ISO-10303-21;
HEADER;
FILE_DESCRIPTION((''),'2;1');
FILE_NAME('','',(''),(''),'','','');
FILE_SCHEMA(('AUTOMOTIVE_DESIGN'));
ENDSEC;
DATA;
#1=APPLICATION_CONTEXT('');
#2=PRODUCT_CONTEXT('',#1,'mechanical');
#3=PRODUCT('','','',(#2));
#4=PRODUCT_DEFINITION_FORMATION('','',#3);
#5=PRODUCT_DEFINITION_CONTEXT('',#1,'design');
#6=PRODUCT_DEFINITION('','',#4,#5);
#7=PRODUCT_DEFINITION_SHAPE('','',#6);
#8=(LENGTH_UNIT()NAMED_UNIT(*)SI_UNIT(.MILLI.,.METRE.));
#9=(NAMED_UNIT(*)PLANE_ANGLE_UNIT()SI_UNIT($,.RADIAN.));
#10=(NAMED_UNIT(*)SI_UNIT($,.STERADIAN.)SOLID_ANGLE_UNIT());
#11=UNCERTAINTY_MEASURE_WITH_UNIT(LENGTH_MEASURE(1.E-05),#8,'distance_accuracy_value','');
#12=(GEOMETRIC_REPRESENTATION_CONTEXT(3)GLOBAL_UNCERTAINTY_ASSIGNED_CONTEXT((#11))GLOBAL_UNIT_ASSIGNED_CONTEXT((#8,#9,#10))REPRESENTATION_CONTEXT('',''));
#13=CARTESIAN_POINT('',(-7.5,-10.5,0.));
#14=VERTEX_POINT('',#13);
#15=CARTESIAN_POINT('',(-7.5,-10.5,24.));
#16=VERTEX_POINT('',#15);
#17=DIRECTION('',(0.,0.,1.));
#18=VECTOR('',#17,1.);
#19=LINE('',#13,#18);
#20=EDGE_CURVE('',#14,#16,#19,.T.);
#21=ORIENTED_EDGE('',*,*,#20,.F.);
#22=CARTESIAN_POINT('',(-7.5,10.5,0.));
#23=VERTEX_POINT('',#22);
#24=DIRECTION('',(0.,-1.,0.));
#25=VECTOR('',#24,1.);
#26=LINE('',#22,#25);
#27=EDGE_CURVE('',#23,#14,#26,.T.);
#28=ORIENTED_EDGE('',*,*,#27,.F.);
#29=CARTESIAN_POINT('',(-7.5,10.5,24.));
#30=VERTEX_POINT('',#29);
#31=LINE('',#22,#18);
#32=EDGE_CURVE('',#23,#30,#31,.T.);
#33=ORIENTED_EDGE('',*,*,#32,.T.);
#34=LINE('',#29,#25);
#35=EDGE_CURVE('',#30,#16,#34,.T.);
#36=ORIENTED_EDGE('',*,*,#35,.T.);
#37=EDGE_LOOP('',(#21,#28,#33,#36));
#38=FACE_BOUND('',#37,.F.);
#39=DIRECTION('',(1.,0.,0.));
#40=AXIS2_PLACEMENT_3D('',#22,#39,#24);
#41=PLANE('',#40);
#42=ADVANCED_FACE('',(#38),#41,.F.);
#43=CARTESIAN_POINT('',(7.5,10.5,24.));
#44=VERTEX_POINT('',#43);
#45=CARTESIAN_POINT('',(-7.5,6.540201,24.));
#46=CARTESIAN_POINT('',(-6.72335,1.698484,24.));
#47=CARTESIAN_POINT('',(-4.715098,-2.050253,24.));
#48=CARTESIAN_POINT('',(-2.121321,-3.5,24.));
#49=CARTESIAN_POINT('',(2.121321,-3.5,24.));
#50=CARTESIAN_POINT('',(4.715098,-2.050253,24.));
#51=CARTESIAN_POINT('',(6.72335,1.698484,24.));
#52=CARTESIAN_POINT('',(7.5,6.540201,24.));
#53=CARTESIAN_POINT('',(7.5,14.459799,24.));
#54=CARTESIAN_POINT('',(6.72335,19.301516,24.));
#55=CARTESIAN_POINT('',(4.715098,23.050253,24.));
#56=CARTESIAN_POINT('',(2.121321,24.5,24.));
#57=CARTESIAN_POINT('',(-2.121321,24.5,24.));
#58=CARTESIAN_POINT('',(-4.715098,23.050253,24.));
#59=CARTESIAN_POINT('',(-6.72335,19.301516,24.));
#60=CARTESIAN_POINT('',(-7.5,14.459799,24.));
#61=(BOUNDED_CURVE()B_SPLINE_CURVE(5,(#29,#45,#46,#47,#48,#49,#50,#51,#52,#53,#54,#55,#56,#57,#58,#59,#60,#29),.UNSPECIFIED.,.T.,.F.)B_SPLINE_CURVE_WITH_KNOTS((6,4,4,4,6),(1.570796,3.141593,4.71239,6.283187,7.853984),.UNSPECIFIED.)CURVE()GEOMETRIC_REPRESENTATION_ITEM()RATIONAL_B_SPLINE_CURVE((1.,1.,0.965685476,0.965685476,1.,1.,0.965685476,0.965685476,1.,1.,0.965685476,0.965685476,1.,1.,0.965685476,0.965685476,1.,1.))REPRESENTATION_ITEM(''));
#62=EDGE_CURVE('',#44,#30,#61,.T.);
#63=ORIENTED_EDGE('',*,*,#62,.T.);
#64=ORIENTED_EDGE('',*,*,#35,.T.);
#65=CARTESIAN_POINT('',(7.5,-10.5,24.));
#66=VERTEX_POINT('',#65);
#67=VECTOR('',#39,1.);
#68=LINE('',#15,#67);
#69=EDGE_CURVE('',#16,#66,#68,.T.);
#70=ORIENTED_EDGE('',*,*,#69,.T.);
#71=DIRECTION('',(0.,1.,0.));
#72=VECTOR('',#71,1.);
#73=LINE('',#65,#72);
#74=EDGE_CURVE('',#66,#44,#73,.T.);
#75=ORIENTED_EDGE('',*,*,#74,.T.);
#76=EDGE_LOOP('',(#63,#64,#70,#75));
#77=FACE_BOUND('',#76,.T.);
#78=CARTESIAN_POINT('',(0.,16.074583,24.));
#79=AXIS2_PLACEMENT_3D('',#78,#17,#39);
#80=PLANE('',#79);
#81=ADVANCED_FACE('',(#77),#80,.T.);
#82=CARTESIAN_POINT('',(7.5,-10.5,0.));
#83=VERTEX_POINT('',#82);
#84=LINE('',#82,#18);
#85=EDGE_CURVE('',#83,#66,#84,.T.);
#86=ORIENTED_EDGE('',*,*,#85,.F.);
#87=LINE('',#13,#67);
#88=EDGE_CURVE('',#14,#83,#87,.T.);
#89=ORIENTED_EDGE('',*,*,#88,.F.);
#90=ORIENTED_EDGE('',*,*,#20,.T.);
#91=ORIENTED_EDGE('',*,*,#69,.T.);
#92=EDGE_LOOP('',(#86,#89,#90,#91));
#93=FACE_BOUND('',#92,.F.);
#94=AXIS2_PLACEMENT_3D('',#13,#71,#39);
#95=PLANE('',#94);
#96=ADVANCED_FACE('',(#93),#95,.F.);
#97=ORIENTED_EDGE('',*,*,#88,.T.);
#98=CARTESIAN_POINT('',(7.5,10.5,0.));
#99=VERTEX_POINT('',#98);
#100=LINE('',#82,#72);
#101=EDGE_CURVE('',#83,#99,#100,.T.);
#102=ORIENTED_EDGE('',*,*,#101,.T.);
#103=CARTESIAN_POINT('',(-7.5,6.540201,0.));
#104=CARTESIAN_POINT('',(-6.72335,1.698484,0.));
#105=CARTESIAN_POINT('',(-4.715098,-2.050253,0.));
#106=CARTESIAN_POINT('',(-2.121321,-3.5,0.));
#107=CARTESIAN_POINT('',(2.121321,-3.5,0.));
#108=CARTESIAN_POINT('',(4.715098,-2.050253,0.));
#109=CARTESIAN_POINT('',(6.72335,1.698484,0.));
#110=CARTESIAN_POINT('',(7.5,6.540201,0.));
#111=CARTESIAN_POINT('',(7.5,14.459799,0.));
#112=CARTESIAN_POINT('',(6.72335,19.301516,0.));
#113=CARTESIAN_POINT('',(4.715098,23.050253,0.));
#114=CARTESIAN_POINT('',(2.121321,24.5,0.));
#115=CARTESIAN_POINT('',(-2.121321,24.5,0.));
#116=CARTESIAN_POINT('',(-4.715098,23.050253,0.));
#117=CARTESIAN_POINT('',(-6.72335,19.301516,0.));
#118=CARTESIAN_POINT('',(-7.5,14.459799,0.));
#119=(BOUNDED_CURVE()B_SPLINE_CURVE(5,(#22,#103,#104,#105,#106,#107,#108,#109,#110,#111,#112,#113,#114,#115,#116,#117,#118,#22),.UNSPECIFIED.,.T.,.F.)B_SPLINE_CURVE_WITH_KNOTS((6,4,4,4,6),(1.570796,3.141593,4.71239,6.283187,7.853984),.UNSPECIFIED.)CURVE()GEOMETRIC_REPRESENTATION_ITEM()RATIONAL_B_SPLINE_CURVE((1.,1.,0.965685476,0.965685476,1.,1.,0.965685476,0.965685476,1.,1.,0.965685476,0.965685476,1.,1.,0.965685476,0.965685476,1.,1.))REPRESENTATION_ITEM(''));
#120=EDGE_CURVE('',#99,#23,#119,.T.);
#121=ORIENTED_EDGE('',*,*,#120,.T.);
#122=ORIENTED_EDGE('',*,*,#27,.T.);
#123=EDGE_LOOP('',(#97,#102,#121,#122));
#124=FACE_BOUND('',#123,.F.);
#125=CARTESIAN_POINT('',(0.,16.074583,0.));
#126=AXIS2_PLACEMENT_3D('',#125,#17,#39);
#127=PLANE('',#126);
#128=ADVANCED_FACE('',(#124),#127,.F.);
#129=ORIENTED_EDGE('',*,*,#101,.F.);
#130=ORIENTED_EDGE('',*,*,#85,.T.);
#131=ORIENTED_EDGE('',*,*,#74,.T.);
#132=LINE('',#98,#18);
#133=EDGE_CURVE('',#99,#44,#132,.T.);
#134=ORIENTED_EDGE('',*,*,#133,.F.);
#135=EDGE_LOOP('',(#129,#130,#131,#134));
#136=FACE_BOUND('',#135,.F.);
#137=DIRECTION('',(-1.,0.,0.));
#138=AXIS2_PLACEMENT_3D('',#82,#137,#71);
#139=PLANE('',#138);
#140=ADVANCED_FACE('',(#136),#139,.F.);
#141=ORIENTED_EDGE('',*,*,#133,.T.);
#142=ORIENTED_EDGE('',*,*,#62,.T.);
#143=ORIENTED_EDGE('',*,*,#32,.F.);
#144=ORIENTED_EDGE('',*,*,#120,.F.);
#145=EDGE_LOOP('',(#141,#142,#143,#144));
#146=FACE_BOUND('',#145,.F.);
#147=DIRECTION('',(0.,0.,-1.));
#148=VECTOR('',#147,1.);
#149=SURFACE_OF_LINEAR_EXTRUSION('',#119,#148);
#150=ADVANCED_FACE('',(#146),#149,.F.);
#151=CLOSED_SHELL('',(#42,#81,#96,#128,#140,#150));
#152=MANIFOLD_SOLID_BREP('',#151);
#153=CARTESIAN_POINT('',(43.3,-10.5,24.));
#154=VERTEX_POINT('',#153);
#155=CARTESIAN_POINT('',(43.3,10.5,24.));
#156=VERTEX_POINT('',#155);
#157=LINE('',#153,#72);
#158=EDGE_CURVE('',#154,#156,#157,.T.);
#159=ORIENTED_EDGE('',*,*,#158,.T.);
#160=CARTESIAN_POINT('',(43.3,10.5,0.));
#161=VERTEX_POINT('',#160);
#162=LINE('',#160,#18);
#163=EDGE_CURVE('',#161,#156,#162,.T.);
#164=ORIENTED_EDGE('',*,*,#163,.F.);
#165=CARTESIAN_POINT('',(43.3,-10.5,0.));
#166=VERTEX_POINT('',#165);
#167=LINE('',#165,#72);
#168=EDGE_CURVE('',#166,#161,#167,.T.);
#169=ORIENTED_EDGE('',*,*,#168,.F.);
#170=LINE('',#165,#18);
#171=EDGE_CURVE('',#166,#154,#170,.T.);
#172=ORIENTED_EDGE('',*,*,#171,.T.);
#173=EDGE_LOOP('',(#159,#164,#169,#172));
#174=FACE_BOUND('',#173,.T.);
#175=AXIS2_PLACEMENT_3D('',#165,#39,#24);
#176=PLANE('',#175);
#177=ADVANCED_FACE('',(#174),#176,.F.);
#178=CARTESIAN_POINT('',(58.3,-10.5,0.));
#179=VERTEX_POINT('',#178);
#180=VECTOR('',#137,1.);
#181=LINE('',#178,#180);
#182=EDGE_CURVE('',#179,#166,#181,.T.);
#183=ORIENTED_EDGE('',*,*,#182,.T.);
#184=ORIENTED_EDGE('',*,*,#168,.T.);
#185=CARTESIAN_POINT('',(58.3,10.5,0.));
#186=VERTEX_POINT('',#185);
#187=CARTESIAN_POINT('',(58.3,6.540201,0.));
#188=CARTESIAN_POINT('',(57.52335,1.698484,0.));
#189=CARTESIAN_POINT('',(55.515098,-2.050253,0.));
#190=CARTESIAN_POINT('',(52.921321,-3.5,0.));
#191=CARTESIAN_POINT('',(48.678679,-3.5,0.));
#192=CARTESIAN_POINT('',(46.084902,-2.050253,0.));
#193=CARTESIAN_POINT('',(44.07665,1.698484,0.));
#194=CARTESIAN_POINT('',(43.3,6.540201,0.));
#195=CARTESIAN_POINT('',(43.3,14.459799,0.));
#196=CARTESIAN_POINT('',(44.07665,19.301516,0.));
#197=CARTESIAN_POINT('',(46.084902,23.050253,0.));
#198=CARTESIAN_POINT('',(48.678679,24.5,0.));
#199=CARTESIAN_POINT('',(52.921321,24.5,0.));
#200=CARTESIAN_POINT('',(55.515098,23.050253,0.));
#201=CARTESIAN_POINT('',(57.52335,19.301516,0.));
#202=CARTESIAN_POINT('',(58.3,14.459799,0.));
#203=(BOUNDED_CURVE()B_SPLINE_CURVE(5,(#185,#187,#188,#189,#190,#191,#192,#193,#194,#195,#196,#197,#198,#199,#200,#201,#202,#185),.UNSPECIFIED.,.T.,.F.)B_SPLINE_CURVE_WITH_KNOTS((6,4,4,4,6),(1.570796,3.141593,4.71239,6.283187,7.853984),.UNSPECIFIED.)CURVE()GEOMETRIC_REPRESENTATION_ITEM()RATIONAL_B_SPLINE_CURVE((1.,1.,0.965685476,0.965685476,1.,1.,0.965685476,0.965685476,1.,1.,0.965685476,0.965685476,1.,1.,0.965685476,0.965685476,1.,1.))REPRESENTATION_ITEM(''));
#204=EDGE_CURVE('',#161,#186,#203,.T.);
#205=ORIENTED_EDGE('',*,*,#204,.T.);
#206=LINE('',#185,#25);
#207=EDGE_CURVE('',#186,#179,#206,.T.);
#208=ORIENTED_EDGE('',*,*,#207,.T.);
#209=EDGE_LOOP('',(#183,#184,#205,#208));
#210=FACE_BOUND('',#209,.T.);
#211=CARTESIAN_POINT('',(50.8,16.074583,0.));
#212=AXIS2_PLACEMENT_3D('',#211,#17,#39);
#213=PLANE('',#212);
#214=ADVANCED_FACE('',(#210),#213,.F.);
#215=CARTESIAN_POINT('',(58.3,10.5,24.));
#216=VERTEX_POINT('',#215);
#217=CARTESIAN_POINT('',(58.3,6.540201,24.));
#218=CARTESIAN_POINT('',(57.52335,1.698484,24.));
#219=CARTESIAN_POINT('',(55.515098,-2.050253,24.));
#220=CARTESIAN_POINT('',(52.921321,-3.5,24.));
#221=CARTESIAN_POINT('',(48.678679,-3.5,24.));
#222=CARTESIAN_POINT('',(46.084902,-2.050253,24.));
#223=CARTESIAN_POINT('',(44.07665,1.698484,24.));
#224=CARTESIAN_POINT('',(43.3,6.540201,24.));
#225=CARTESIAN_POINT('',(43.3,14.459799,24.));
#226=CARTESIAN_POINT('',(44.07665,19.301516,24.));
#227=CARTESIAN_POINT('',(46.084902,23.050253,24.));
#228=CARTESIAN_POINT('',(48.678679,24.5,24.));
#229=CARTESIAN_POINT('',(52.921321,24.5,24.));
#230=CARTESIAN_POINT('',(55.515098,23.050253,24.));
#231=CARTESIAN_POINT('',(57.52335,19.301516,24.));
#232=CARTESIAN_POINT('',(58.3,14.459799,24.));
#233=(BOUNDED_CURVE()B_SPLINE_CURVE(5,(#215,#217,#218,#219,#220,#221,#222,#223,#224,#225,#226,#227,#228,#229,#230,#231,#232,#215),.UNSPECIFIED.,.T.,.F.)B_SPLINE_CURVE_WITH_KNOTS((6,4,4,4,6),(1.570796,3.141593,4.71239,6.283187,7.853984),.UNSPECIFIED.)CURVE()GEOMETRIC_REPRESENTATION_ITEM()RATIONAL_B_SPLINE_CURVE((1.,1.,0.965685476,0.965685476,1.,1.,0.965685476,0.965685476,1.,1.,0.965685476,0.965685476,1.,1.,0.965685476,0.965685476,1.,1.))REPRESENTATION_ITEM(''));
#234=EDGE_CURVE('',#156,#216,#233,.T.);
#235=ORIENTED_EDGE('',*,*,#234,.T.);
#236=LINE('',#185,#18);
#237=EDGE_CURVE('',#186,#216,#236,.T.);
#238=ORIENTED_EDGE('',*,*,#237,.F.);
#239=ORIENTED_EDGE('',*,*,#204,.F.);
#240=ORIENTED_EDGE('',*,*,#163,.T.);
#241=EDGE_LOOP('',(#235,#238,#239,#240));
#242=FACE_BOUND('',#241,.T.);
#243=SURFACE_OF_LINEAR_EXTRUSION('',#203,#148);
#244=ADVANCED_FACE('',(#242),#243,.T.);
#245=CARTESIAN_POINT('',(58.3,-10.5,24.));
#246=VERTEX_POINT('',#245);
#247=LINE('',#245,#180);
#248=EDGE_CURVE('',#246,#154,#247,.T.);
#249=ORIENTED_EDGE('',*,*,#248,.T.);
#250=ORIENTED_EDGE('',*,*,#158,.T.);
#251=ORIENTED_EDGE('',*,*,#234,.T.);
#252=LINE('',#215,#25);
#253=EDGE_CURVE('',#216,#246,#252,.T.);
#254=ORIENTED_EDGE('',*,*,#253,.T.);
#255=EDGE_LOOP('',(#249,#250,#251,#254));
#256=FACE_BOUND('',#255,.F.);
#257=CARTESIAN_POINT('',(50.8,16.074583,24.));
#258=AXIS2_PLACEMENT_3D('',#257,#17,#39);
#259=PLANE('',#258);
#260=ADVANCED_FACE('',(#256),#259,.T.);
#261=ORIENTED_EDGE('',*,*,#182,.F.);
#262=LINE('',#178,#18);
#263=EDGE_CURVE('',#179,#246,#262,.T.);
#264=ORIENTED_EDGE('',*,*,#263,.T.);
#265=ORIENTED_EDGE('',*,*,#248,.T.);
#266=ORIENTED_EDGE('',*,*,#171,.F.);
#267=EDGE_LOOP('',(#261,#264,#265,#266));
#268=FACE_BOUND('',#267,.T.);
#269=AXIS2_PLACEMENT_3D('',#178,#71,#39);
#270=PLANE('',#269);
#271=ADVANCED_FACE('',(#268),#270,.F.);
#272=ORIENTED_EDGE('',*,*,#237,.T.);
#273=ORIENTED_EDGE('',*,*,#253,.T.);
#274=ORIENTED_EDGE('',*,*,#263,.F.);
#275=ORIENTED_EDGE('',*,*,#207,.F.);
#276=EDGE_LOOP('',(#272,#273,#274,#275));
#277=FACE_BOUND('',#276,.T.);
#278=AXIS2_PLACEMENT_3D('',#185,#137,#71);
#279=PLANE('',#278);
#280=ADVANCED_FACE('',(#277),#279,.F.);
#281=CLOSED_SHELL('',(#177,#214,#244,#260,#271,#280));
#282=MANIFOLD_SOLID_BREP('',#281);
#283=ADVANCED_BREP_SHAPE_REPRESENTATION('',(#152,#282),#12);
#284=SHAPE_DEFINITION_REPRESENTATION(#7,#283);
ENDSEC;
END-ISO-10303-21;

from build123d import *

# Parameters (mm, degrees)
F1_DEPTH = 24


with BuildPart() as f1:
    # F0 (on Top) → F1 (new body)
    with BuildSketch(Plane.XY):
        with BuildLine():
            Line((-7.5, 10.5), (7.5, 10.5))
            add(Edge.make_bspline(
                [(7.5, 10.5), (7.5, 24.5), (0, 24.5)],
                knots=[4.712389, 4.712389, 4.712389, 6.283185, 6.283185, 6.283185], degree=2, weights=[1, 0.707107, 1]))
            add(Edge.make_bspline(
                [(0, 24.5), (-7.5, 24.5), (-7.5, 10.5)],
                knots=[0, 0, 0, 1.570796, 1.570796, 1.570796], degree=2, weights=[1, 0.707107, 1]))
        make_face()
        with BuildLine():
            add(Edge.make_bspline(
                [(-7.5, 10.5), (-7.5, -3.5), (0, -3.5), (7.5, -3.5), (7.5, 10.5)],
                knots=[1.570796, 1.570796, 1.570796, 3.141593, 3.141593, 4.712389, 4.712389, 4.712389], degree=2, weights=[1, 0.707107, 1, 0.707107, 1]))
            Line((7.5, 10.5), (-7.5, 10.5))
        make_face()
        with BuildLine():
            Line((7.5, -10.5), (7.5, 10.5))
            add(Edge.make_bspline(
                [(-7.5, 10.5), (-7.5, -3.5), (0, -3.5), (7.5, -3.5), (7.5, 10.5)],
                knots=[1.570796, 1.570796, 1.570796, 3.141593, 3.141593, 4.712389, 4.712389, 4.712389], degree=2, weights=[1, 0.707107, 1, 0.707107, 1]))
            Line((-7.5, 10.5), (-7.5, -10.5))
            Line((-7.5, -10.5), (7.5, -10.5))
        make_face()
    extrude(amount=F1_DEPTH)


with BuildPart() as f3_1:
    # F3: instance of F1
    add(f1.part.mirror(Plane.YZ.offset(25.4)))


solid = Compound([f1.part, f3_1.part])
